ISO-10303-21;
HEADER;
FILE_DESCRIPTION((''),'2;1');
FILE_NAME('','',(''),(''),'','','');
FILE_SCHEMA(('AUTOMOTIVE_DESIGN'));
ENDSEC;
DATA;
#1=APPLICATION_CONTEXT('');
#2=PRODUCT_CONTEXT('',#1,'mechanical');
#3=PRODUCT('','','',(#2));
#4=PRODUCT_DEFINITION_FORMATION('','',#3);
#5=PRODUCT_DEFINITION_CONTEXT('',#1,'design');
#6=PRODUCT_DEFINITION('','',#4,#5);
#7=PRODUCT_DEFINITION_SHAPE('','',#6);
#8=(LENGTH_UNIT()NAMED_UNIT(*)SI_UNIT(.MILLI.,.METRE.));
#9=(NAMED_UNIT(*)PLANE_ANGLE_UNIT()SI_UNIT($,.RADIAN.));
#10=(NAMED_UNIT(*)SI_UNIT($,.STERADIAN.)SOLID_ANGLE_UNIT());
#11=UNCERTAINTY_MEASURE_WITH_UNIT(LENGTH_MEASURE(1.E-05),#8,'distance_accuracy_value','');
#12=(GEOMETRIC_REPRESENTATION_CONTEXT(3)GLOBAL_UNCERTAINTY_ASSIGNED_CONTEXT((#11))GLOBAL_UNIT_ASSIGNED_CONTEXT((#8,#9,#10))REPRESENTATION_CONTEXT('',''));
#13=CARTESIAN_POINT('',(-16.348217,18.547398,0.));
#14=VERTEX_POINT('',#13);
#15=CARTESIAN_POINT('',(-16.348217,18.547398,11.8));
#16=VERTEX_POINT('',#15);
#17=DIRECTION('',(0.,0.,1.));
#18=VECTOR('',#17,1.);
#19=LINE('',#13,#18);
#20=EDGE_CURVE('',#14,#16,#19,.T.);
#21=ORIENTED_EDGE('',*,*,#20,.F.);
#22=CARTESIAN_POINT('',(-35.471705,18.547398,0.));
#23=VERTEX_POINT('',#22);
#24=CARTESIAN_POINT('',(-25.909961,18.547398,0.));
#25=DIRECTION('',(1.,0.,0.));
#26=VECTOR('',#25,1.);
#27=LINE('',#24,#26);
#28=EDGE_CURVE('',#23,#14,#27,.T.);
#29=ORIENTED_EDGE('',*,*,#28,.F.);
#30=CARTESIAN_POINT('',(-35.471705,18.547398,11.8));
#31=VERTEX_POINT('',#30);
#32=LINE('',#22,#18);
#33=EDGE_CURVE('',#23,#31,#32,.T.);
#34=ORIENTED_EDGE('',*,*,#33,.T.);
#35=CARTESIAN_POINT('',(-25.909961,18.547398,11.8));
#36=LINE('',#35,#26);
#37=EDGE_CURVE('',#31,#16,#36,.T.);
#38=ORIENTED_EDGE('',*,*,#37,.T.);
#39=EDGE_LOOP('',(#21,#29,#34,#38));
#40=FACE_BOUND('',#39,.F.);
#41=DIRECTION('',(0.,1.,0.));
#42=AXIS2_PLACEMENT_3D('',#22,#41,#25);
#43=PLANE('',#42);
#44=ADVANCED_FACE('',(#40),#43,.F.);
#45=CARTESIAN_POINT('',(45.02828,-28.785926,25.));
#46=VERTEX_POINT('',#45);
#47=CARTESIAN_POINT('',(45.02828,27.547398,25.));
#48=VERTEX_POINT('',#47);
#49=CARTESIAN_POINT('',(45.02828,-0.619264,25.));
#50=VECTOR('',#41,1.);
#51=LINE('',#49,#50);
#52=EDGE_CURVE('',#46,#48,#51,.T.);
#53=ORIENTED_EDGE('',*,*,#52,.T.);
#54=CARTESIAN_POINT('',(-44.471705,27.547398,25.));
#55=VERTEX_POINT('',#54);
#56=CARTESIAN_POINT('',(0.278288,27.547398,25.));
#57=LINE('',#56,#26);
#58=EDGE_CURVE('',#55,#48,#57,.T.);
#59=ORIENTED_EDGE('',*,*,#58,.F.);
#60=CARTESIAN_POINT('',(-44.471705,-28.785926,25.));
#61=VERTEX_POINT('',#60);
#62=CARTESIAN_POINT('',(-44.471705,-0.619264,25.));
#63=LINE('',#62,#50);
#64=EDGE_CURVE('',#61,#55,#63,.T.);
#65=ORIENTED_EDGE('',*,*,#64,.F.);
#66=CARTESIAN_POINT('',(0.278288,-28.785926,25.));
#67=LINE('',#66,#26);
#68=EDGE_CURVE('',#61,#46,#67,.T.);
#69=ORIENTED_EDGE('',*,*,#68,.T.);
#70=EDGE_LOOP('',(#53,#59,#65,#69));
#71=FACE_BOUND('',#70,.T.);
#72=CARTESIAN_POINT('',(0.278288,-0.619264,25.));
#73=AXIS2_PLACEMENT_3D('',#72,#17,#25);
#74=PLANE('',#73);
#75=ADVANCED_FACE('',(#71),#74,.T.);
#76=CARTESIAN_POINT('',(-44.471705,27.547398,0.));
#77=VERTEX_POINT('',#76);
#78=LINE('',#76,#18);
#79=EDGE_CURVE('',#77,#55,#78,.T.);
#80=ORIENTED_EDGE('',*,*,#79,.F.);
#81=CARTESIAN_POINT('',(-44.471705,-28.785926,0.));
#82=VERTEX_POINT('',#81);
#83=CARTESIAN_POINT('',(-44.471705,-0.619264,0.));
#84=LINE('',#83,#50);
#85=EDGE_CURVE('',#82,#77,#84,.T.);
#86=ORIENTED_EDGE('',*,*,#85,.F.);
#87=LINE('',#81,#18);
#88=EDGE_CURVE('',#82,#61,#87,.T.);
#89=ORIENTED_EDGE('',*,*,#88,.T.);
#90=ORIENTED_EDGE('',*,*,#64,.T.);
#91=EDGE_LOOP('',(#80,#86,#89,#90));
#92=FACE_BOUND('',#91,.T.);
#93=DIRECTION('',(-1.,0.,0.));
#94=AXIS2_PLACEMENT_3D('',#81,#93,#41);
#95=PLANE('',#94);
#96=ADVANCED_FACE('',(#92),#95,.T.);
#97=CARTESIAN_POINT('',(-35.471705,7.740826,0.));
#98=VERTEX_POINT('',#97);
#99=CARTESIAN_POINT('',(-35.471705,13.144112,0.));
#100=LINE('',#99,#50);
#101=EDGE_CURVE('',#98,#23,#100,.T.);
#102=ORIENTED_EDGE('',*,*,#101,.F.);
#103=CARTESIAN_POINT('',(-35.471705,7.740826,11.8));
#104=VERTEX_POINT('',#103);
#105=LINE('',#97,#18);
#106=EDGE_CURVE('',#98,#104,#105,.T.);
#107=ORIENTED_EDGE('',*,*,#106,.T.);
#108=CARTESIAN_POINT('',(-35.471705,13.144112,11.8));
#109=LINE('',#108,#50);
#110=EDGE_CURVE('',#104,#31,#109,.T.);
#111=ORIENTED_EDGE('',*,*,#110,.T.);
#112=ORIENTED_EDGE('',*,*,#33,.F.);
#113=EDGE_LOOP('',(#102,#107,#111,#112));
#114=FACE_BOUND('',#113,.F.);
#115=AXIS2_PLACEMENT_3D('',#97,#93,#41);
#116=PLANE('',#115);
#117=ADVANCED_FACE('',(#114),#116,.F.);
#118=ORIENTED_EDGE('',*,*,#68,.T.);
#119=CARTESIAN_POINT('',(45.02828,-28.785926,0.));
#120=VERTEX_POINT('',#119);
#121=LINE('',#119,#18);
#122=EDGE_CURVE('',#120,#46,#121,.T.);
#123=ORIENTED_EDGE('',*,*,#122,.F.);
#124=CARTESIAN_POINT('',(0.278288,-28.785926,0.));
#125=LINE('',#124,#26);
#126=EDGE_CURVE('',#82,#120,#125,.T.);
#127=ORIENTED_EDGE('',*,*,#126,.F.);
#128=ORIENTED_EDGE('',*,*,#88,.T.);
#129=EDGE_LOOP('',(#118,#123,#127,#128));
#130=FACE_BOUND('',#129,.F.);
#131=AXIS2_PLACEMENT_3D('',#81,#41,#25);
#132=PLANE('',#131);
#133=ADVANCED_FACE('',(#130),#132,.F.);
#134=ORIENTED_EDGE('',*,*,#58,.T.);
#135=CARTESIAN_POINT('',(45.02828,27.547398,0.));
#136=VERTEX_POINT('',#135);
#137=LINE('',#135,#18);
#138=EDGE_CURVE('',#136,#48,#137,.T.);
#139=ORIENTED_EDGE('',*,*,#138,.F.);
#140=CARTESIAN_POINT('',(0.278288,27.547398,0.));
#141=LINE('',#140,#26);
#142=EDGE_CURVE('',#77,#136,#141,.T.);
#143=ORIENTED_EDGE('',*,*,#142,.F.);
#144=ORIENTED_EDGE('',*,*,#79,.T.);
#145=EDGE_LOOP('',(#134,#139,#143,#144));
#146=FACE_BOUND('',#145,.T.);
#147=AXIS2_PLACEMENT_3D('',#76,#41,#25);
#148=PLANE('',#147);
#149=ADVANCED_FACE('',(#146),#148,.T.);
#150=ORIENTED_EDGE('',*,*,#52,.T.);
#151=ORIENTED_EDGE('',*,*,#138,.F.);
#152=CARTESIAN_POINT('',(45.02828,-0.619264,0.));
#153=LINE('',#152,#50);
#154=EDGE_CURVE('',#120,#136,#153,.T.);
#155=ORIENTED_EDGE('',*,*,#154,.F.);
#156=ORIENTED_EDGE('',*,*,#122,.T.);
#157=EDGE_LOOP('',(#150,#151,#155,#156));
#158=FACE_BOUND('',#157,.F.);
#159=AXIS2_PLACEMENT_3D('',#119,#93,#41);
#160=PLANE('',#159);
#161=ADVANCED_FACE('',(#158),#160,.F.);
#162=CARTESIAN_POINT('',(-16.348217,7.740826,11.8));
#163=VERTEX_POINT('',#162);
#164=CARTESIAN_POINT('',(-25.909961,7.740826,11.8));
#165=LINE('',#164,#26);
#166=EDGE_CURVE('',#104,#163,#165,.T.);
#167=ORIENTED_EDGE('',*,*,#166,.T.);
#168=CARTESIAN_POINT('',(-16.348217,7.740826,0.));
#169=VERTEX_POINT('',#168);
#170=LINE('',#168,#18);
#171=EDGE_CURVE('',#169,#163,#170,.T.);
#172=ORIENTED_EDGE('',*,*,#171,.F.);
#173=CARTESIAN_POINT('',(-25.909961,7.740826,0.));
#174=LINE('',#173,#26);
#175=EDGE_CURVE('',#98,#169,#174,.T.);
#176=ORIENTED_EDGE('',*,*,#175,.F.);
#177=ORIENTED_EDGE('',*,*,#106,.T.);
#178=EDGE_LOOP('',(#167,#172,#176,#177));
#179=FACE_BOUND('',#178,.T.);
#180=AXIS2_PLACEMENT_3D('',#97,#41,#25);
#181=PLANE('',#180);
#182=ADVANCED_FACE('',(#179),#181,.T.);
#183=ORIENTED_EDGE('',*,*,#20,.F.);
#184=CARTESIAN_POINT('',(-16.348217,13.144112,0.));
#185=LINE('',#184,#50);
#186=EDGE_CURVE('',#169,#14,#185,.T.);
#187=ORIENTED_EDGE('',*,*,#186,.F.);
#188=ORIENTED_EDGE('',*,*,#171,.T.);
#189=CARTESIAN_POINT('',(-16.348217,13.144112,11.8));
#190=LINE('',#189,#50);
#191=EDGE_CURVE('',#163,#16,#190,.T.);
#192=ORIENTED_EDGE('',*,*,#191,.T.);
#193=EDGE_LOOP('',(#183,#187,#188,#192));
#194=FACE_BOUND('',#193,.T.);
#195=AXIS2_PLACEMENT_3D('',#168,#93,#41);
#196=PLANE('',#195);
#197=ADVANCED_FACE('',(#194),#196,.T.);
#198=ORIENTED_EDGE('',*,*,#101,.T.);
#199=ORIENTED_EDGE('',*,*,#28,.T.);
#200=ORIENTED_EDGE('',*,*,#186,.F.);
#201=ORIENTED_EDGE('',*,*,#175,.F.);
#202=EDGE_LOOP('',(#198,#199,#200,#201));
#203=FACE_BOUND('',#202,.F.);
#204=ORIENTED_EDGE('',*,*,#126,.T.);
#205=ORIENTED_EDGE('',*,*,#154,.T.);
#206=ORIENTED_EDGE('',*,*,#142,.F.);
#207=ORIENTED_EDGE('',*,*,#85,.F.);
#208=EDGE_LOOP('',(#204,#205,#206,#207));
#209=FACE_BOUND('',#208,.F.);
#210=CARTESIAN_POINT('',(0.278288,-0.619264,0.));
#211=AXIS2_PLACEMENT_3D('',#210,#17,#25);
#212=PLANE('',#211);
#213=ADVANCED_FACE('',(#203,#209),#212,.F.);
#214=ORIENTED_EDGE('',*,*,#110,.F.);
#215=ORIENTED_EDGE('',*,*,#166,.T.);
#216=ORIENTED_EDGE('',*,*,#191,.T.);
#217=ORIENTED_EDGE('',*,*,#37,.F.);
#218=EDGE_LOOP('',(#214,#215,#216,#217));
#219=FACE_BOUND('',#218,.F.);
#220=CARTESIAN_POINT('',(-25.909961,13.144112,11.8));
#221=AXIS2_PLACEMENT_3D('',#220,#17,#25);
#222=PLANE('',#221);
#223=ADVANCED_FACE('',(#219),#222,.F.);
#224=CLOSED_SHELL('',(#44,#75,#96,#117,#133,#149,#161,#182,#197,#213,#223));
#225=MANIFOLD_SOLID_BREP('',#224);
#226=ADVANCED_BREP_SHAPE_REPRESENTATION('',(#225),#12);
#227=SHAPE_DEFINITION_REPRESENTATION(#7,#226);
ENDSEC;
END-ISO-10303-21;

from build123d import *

# Parameters (mm, degrees)
F0_W     = 89.4999849609
F0_H     = 56.3333243099
F0_W_2   = 19.1234880393
F0_H_2   = 10.8065714894
F1_DEPTH = 25
F2_DEPTH = 11.8


with BuildPart() as f1:
    # F0 (on Top) → F1 (new body)
    with BuildSketch(Plane.XY):
        with Locations((0.2782877584, -0.6192643195)):
            Rectangle(F0_W, F0_H)
        with Locations((-25.9099607023, 13.1441120907)):
            Rectangle(F0_W_2, F0_H_2, mode=Mode.SUBTRACT)
        with Locations((-25.9099607023, 13.1441120907)):
            Rectangle(F0_W_2, F0_H_2)
    extrude(amount=F1_DEPTH)

    # F0 (on Top) → F2 (cut)
    with BuildSketch(Plane.XY):
        with Locations((-25.9099607023, 13.1441120907)):
            Rectangle(F0_W_2, F0_H_2)
    extrude(amount=F2_DEPTH, mode=Mode.SUBTRACT)


solid = f1.part
